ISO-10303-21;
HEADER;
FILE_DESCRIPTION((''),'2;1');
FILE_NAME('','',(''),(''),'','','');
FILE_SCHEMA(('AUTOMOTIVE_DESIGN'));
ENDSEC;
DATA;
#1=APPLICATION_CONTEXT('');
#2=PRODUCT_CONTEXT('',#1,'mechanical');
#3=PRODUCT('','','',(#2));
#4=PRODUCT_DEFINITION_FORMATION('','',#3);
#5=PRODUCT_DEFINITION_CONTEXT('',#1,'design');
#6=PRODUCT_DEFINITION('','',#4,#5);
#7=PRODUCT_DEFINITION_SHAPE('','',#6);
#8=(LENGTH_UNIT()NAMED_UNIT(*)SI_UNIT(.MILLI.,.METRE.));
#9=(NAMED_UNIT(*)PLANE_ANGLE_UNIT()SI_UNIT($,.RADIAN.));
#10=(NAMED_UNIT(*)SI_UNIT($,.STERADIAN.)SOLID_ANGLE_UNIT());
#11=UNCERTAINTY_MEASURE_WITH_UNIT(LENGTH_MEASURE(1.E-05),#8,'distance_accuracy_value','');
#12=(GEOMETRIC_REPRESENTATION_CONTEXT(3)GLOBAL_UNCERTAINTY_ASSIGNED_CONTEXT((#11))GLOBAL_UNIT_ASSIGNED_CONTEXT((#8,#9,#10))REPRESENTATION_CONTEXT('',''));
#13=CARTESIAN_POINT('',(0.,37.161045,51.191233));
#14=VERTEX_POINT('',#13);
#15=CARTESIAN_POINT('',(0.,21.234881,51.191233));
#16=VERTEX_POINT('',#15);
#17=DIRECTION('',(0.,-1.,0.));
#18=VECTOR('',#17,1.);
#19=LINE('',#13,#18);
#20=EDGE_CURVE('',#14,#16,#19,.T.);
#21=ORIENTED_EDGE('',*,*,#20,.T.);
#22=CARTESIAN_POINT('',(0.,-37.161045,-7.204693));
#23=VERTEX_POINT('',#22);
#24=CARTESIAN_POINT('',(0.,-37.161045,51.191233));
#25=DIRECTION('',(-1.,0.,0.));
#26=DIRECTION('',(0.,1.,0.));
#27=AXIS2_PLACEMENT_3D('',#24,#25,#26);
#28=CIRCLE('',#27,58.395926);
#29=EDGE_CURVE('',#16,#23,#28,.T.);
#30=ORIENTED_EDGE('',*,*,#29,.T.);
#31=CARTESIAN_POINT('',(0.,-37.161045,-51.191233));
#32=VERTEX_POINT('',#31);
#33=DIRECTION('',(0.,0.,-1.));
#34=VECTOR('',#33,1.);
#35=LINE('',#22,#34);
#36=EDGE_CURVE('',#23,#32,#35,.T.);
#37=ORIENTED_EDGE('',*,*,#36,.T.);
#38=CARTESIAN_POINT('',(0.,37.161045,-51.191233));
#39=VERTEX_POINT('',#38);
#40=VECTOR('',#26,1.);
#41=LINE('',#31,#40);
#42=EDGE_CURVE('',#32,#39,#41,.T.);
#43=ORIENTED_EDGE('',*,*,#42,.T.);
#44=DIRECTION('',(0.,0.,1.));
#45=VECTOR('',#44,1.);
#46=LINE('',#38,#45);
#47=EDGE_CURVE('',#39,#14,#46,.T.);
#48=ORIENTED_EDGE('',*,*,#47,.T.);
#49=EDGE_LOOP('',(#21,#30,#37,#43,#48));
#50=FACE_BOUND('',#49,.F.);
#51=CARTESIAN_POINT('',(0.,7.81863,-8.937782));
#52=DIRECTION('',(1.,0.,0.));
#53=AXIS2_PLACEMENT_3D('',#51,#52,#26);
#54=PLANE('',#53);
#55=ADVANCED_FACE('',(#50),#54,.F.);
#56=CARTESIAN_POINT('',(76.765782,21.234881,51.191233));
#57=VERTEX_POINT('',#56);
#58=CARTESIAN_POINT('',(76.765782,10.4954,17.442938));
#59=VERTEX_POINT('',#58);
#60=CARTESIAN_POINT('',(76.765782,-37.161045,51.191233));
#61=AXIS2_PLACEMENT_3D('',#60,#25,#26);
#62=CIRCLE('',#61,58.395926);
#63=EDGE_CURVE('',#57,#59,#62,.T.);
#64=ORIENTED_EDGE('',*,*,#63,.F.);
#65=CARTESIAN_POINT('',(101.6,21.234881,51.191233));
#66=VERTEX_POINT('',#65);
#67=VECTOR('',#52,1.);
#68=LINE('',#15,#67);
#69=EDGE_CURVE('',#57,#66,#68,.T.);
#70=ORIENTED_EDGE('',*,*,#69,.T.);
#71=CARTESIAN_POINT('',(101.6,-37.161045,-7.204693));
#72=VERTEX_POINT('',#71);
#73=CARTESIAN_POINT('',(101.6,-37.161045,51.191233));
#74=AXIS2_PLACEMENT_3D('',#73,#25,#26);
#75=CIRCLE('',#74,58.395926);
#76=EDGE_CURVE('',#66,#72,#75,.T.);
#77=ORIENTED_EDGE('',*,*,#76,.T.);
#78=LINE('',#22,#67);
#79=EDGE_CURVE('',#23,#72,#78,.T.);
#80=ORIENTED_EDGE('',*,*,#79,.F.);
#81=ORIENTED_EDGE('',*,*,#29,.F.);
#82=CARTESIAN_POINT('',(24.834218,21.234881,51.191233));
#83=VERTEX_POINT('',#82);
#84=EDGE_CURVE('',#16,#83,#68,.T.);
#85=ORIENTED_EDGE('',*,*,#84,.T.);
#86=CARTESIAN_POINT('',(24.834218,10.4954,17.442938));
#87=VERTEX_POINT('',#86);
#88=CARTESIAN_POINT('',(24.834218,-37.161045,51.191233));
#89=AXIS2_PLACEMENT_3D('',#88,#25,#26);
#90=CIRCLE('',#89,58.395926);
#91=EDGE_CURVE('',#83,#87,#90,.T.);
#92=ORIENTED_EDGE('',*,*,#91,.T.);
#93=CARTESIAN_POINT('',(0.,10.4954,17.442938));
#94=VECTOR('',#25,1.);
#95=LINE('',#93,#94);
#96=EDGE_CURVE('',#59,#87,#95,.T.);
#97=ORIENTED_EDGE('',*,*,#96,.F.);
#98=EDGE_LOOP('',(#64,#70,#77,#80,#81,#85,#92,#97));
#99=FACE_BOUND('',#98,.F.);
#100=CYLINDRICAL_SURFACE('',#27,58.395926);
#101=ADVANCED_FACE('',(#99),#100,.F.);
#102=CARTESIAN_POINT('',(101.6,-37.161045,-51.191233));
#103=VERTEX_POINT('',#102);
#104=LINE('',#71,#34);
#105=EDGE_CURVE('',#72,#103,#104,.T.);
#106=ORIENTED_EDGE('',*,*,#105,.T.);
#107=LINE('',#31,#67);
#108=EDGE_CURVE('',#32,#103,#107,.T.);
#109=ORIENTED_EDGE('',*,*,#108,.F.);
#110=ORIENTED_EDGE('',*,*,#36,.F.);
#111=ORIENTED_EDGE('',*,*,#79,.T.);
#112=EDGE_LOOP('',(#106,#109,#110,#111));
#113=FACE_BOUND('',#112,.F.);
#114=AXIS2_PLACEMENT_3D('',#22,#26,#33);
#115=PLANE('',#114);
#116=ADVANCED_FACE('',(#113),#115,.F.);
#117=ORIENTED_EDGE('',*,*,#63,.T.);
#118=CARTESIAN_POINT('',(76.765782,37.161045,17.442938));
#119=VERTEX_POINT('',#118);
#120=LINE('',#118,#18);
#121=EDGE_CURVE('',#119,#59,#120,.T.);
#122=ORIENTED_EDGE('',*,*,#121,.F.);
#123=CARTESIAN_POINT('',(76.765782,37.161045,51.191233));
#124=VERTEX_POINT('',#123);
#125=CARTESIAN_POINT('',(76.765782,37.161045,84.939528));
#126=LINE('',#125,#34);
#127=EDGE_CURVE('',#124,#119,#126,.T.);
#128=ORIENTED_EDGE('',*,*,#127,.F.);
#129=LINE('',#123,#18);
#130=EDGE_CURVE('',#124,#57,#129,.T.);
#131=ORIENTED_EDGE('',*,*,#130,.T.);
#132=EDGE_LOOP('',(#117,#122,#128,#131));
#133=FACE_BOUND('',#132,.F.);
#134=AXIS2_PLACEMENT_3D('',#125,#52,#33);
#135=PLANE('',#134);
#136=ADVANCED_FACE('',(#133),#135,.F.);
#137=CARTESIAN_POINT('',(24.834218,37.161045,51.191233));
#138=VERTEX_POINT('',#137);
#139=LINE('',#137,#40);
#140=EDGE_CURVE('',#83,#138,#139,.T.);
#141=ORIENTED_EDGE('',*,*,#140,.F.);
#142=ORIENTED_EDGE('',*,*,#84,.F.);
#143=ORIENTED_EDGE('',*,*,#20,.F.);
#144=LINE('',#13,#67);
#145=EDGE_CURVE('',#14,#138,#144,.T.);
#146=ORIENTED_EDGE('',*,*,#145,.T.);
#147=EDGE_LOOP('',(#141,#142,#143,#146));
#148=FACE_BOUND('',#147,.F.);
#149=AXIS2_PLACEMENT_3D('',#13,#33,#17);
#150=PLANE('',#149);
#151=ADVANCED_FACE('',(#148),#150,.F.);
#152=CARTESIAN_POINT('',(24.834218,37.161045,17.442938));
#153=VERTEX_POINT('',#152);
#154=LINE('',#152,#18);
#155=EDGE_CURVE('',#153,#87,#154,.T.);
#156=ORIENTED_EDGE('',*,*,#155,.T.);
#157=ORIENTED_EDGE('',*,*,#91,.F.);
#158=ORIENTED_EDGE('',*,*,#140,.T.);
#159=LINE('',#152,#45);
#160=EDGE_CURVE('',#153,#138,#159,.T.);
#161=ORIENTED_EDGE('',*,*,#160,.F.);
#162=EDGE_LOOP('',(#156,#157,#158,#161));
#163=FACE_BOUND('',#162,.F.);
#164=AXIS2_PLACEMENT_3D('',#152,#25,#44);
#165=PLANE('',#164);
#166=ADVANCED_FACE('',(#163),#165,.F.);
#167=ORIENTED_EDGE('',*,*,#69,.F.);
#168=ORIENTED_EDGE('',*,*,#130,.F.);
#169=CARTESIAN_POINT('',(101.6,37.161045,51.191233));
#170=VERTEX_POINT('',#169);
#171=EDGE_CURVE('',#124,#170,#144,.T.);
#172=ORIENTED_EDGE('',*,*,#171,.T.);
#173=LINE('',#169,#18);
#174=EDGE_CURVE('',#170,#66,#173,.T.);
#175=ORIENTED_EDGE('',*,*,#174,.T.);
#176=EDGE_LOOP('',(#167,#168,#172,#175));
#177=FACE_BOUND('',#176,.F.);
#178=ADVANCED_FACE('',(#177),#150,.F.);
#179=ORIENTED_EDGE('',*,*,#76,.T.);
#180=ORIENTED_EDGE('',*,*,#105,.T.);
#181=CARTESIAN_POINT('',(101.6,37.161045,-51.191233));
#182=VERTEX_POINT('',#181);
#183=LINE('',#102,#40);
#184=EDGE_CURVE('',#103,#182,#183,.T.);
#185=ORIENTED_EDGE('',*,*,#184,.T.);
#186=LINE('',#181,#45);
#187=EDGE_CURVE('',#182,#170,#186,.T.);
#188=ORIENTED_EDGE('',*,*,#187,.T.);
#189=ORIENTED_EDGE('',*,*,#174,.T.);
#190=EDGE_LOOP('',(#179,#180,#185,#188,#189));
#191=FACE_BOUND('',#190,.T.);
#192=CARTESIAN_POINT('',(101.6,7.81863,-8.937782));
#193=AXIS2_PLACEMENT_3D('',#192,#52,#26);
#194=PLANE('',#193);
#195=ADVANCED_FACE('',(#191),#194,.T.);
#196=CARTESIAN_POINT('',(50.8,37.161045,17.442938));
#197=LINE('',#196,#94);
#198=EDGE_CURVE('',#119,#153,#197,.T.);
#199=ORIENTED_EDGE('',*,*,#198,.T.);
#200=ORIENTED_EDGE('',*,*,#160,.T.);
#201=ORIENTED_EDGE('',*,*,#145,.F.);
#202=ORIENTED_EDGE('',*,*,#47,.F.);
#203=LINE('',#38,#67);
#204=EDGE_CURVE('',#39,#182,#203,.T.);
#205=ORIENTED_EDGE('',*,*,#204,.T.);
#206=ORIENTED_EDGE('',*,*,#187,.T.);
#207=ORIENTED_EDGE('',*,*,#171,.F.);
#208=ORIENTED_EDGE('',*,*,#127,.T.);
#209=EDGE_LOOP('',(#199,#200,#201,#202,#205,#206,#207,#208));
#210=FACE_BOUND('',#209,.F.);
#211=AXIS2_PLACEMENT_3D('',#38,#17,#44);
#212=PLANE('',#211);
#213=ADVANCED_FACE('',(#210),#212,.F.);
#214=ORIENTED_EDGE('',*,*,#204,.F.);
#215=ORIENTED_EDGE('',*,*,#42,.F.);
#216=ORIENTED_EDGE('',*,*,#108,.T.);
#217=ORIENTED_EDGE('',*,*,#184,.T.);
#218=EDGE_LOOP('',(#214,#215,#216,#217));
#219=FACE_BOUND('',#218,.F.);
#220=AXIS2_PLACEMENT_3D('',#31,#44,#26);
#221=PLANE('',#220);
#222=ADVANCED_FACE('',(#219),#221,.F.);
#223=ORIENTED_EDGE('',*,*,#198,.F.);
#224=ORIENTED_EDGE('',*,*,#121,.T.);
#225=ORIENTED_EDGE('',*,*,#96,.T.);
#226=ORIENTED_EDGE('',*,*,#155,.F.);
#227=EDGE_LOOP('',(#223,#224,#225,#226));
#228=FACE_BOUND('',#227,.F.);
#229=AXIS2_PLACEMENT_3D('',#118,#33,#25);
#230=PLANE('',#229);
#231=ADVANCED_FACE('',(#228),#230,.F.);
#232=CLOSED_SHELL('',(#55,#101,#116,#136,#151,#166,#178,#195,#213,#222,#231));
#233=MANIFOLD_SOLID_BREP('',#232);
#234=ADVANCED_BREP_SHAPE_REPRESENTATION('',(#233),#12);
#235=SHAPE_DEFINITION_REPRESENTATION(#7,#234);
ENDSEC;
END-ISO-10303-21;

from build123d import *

# Parameters (mm, degrees)
F1_DEPTH = 101.6
F2_W     = 51.9315649927
F2_H     = 33.7482951581
F3_DEPTH = 74.3230895529


with BuildPart() as f1:
    # F0 (on Right) → F1 (new body)
    with BuildSketch(Plane.YZ):
        with BuildLine():
            Line((37.1610447764, -51.1912330985), (37.1610447764, 51.1912330985))
            Line((37.1610447764, 51.1912330985), (21.2348811328, 51.1912330985))
            ThreePointArc((21.2348811328, 51.1912330985), (4.1311104277, 9.8990778944), (-37.1610447764, -7.2046928108))
            Line((-37.1610447764, -7.2046928108), (-37.1610447764, -51.1912330985))
            Line((-37.1610447764, -51.1912330985), (37.1610447764, -51.1912330985))
        make_face()
    extrude(amount=F1_DEPTH)

    # F2 (on face) → F3 (cut, through all)
    with BuildSketch(Plane(origin=(0, 37.1610447764, 0), x_dir=(-1, 0, 0), z_dir=(0, 1, 0))):
        with Locations((-50.8, 34.3170855194)):
            Rectangle(F2_W, F2_H)
        with Locations((-50.8, 68.0653806776)):
            Rectangle(F2_W, F2_H)
    extrude(amount=-F3_DEPTH, mode=Mode.SUBTRACT)


solid = f1.part
